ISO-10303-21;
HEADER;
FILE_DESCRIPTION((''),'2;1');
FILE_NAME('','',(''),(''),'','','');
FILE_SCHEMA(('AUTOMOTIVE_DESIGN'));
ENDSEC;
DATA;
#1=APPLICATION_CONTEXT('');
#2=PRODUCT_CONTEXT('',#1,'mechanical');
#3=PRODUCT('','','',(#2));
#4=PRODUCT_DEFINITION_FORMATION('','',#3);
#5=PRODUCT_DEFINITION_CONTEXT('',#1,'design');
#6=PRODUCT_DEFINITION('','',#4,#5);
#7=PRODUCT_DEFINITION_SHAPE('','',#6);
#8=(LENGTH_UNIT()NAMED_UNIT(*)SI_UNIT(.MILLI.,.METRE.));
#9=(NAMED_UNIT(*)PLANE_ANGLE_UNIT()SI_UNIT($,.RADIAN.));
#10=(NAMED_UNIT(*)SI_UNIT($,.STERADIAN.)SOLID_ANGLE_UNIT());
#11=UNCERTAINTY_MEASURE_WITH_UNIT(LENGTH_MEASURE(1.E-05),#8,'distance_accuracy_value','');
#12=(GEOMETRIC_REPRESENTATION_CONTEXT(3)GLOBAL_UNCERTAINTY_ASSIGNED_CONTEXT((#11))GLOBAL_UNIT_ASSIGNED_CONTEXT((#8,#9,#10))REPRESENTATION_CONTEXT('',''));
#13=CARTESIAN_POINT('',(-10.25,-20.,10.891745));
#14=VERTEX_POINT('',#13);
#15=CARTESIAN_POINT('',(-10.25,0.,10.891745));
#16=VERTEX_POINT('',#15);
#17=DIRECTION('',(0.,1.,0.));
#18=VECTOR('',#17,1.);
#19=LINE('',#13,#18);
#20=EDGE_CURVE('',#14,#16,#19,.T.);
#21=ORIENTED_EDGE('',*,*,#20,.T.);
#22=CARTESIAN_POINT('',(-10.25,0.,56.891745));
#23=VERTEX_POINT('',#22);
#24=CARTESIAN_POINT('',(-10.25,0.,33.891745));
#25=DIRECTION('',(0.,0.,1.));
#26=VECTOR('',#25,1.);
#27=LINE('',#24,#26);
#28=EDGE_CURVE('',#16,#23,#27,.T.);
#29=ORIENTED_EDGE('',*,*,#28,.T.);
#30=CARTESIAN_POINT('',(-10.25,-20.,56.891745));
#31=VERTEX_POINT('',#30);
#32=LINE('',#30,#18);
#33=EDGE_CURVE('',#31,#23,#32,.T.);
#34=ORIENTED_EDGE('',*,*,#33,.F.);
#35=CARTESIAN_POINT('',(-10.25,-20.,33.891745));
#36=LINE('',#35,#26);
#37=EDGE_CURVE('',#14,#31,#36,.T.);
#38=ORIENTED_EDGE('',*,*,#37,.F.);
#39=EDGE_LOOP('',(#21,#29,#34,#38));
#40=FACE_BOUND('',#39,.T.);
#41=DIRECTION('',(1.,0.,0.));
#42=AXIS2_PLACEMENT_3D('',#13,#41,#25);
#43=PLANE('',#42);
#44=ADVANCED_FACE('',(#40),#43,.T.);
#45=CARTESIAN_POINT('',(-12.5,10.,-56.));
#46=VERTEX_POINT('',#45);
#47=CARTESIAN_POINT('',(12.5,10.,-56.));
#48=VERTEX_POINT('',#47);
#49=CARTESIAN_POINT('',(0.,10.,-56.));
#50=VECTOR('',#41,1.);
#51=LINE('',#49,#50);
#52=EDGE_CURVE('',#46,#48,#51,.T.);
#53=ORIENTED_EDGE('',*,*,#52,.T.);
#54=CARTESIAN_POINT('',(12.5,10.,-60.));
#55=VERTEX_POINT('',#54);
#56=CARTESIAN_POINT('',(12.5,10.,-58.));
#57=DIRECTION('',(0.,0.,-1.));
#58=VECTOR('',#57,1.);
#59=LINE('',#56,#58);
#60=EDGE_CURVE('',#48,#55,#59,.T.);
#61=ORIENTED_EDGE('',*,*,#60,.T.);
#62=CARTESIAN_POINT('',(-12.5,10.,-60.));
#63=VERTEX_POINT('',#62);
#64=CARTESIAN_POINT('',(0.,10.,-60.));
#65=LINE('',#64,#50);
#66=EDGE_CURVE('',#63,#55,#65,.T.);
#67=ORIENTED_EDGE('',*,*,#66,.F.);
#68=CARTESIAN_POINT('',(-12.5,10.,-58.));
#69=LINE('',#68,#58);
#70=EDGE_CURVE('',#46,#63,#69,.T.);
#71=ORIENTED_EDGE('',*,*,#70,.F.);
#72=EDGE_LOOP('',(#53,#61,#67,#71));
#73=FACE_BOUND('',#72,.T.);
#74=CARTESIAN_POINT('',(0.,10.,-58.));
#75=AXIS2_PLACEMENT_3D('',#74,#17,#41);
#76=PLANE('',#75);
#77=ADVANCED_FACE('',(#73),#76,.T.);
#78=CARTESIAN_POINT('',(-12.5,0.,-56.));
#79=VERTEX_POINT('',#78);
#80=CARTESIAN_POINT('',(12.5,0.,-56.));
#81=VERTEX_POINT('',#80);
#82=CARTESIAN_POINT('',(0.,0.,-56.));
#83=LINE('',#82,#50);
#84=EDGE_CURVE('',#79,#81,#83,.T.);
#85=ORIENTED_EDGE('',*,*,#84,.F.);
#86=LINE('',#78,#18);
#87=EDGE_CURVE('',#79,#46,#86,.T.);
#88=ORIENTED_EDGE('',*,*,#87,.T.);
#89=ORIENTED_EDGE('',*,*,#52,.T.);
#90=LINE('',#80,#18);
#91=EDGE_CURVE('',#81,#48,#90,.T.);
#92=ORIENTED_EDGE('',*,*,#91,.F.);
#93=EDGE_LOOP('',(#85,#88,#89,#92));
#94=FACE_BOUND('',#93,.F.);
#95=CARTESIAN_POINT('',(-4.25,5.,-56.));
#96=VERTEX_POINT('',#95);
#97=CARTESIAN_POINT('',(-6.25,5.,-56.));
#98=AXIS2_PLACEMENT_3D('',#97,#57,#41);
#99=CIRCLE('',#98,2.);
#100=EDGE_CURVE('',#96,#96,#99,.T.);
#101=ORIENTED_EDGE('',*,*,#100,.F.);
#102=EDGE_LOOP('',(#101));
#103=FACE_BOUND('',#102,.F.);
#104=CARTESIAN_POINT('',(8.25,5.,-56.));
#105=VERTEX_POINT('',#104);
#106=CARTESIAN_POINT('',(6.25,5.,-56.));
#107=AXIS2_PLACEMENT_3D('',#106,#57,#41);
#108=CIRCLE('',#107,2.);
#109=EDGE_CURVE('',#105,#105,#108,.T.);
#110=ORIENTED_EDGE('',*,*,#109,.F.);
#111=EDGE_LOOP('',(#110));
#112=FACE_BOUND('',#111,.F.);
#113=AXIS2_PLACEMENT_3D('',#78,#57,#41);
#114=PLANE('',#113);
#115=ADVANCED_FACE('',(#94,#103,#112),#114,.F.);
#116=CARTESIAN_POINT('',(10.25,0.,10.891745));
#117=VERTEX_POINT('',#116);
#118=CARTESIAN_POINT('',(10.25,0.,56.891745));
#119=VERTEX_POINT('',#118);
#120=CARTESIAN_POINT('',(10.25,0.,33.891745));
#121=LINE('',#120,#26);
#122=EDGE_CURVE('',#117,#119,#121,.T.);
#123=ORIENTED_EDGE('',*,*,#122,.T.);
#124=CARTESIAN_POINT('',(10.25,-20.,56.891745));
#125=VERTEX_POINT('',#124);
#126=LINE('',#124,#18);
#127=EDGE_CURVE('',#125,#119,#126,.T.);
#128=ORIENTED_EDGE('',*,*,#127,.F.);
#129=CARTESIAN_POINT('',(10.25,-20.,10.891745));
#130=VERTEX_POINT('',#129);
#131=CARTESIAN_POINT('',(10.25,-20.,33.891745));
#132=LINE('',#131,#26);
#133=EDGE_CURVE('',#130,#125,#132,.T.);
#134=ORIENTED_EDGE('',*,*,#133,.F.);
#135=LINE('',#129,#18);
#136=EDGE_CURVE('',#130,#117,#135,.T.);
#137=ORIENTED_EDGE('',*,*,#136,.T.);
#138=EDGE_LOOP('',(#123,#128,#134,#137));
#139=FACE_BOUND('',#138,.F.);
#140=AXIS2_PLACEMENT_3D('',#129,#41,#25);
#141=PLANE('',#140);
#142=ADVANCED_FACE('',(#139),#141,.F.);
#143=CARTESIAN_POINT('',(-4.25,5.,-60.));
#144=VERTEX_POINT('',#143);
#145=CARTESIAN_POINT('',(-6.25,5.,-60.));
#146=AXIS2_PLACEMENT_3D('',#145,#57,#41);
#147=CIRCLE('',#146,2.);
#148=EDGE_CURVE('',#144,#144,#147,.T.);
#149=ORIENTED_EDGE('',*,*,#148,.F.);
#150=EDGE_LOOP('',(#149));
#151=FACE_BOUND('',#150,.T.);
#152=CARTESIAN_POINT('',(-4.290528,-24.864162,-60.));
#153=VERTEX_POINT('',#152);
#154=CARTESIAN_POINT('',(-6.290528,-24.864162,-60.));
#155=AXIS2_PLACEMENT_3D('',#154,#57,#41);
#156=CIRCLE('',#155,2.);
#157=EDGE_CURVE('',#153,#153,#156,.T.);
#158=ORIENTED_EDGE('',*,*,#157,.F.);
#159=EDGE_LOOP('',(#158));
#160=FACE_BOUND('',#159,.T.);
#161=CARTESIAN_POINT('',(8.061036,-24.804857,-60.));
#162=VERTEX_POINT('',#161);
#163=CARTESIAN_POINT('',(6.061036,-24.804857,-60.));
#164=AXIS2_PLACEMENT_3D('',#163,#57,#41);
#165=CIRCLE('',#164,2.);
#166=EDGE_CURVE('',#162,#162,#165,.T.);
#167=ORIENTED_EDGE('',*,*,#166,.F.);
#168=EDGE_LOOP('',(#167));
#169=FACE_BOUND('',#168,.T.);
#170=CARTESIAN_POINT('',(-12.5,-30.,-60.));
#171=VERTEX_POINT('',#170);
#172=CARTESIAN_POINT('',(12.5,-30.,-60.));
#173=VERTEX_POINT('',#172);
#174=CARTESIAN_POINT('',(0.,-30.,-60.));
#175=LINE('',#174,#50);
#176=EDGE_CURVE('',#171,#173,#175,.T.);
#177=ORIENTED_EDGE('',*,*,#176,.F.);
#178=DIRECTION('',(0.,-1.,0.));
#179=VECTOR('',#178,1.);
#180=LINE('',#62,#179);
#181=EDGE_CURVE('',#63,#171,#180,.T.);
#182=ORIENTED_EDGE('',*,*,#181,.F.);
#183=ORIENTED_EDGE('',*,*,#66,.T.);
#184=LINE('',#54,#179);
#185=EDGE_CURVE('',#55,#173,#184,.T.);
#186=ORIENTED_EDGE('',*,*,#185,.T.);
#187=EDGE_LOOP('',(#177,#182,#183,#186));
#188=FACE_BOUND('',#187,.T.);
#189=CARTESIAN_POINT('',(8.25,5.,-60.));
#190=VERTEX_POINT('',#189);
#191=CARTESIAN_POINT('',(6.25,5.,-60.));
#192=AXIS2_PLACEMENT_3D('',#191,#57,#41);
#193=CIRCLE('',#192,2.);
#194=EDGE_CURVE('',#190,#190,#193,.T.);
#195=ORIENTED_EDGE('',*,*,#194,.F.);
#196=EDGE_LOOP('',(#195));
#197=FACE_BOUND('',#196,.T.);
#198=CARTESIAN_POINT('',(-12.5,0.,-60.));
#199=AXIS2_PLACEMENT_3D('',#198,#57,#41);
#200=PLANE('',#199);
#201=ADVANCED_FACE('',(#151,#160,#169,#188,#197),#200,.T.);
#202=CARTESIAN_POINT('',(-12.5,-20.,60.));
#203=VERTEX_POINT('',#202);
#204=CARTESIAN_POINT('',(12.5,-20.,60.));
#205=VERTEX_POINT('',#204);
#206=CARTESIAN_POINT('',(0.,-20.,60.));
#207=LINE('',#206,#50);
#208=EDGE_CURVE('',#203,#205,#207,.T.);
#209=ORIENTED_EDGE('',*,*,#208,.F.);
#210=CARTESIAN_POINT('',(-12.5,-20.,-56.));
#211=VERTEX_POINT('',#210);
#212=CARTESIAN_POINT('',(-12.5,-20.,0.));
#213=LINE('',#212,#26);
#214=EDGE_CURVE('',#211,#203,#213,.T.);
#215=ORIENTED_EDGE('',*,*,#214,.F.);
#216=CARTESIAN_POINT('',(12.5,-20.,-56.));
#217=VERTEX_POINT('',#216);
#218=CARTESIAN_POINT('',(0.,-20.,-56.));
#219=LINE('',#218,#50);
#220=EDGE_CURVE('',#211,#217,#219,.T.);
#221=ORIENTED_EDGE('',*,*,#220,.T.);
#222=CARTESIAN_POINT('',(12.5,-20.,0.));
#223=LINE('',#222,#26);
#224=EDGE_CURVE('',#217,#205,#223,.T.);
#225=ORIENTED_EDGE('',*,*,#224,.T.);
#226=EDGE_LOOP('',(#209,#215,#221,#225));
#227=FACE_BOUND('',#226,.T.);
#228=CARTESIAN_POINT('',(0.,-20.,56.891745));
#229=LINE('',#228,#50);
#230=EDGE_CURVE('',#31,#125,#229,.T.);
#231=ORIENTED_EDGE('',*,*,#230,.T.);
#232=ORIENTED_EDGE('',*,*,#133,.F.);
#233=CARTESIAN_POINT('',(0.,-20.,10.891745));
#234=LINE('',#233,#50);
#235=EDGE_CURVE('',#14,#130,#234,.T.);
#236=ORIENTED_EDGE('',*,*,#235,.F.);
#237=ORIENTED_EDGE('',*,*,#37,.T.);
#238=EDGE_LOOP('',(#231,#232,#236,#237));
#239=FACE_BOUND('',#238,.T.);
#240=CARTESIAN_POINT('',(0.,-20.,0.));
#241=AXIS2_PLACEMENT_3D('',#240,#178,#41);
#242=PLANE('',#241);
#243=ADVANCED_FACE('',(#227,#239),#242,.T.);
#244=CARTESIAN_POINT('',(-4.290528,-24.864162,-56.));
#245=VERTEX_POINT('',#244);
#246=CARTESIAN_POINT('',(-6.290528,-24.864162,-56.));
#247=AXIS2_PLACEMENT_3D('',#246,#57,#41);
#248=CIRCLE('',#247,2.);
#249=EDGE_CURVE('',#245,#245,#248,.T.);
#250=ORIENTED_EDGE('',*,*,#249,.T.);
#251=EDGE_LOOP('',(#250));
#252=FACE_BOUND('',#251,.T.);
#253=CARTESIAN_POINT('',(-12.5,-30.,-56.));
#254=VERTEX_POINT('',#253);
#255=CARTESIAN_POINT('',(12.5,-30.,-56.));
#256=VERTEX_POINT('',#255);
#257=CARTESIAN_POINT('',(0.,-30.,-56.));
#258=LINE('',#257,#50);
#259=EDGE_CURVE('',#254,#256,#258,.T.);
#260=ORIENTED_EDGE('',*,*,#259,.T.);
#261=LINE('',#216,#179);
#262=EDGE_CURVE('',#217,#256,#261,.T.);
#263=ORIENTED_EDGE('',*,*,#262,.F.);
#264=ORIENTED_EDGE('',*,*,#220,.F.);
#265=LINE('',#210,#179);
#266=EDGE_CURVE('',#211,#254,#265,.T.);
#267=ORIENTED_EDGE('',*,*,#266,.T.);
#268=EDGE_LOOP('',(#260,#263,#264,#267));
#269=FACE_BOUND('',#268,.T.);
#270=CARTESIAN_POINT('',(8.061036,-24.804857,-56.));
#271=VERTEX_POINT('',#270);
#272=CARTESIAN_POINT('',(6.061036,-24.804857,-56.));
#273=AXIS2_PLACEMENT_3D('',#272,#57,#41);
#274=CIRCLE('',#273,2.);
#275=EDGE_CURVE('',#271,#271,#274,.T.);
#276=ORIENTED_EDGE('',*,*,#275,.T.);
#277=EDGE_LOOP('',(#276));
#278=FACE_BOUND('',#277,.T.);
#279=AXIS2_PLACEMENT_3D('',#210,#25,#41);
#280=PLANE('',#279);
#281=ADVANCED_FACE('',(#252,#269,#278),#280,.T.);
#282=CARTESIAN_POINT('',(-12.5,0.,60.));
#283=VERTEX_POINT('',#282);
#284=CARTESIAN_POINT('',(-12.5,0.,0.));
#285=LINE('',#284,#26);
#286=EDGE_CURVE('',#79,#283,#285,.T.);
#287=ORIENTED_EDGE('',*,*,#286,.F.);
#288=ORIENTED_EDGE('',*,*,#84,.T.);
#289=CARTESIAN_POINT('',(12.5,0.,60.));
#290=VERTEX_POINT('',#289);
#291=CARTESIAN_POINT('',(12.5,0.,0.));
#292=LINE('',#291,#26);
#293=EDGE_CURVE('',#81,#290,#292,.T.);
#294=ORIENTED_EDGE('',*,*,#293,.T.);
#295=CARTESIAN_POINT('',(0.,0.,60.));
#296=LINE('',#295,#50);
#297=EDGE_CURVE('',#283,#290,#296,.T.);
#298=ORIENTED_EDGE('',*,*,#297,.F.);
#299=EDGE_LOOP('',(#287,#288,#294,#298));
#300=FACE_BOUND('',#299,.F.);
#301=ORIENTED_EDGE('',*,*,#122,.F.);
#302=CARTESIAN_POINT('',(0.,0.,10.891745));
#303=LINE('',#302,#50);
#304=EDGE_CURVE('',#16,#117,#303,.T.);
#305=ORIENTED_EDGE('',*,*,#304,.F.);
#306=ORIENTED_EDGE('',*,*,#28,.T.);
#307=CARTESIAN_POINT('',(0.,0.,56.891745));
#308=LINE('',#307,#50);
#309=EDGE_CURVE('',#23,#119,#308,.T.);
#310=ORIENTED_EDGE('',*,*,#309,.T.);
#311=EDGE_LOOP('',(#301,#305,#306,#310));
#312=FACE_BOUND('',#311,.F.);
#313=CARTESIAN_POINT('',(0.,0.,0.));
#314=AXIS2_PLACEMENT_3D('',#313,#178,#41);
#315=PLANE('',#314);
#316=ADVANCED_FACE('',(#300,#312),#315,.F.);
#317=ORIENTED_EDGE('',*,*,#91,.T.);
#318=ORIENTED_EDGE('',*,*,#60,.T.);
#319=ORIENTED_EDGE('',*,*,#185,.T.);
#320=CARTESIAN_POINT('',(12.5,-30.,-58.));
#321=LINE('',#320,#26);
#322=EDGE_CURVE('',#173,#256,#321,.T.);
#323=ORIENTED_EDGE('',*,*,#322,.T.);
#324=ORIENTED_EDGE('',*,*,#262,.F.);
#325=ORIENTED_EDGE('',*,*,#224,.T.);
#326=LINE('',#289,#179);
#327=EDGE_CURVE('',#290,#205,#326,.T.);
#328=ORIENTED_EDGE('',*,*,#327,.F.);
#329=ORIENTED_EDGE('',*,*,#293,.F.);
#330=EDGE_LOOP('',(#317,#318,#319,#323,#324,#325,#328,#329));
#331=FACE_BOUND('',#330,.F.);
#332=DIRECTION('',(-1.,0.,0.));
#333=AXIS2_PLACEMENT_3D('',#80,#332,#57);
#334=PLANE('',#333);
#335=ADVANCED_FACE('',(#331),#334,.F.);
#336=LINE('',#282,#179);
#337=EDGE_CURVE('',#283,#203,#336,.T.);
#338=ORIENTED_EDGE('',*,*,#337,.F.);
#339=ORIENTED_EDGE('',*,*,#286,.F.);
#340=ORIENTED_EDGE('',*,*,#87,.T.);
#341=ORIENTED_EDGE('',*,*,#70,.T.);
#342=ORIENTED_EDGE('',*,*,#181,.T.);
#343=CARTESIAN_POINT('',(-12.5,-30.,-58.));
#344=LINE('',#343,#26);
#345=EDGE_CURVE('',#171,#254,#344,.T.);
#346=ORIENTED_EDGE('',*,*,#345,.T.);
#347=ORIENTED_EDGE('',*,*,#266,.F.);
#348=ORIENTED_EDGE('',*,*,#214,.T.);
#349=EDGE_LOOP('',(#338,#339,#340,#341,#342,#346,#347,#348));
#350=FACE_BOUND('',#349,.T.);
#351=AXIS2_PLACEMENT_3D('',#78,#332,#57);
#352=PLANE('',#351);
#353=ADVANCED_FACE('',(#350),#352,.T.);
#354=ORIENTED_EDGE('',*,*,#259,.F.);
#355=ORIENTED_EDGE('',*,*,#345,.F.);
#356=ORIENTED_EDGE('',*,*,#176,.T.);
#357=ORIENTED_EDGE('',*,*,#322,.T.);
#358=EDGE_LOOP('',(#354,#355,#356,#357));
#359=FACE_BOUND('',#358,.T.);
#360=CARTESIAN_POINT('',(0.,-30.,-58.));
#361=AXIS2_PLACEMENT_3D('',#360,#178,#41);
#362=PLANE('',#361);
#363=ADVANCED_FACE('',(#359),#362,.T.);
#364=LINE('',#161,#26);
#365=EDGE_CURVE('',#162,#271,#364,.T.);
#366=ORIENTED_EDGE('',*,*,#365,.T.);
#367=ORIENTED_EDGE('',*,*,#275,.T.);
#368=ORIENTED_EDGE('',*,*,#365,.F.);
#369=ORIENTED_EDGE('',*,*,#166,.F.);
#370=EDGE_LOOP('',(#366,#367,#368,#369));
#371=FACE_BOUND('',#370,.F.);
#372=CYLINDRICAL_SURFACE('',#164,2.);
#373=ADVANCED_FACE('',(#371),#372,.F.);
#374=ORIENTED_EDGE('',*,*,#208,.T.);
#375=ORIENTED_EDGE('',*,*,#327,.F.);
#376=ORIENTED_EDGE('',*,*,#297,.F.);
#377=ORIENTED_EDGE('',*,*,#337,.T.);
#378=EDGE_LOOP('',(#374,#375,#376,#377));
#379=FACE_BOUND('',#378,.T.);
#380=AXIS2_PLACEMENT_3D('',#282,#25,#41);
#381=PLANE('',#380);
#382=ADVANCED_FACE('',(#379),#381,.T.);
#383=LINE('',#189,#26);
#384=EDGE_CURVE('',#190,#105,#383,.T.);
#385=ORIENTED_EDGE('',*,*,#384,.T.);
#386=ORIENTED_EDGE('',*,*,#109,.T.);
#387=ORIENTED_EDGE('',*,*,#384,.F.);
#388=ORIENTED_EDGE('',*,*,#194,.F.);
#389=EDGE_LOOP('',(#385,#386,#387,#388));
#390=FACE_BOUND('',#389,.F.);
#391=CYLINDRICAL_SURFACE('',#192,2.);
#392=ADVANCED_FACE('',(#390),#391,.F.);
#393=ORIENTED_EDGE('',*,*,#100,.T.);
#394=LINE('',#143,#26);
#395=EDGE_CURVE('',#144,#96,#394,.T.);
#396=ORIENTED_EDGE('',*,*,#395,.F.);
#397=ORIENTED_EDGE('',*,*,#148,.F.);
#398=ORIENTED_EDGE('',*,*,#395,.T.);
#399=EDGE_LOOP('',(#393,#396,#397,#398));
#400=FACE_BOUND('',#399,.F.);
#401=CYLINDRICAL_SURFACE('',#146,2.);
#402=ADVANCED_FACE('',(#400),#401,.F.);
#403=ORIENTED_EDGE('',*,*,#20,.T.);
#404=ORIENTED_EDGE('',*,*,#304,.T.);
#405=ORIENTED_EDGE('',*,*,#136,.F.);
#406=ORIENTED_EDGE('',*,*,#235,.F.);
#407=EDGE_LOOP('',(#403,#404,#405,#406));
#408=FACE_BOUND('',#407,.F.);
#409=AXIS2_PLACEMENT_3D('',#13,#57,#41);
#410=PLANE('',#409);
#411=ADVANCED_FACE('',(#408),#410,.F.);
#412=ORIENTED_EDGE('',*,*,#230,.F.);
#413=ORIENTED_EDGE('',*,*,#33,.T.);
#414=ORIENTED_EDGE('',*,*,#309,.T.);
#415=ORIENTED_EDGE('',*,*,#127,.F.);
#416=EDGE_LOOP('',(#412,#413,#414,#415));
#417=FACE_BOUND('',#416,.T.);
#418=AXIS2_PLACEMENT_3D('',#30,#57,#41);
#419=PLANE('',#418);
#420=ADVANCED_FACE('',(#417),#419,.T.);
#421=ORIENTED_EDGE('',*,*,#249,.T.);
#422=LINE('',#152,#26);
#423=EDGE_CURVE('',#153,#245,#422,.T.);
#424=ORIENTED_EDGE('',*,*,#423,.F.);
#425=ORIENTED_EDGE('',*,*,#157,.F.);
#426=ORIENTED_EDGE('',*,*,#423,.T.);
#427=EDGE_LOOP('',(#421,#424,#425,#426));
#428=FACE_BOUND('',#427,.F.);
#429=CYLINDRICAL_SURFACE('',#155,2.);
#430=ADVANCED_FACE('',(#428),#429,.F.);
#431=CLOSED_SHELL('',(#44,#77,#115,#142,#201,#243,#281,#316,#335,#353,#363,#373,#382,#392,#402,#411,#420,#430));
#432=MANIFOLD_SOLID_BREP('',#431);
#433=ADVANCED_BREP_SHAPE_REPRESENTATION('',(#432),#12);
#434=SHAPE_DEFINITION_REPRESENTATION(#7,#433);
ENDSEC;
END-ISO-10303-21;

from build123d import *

# Parameters (mm, degrees)
SKETCH_W        = 25
SKETCH_H        = 120
PAD_DEPTH       = 20
SKETCH001_W     = 25
SKETCH001_H     = 4
PAD001_DEPTH    = 10
SKETCH002_R     = 2
POCKET_DEPTH    = 4
SKETCH003_W     = 25
SKETCH003_H     = 4
PAD002_DEPTH    = 10
SKETCH004_R     = 2
POCKET001_DEPTH = 4
SKETCH005_W     = 20.5
SKETCH005_H     = 46
POCKET002_DEPTH = 20


with BuildPart() as part:
    # Sketch → Pad (new body)
    with BuildSketch(Plane.XZ):
        Rectangle(SKETCH_W, SKETCH_H)
    extrude(amount=PAD_DEPTH)

    # Sketch001 → Pad001 (new body)
    with BuildSketch(Plane.XZ.offset(20)):
        with Locations((0, -58)):
            Rectangle(SKETCH001_W, SKETCH001_H)
    extrude(amount=PAD001_DEPTH)

    # Sketch002 → Pocket (cut)
    with BuildSketch(Plane(origin=(0, 0, -60), x_dir=(1, 0, 0), z_dir=(0, 0, -1))):
        with Locations((-6.290528, 24.864162)):
            Circle(SKETCH002_R)
        with Locations((6.061036, 24.804857)):
            Circle(SKETCH002_R)
    extrude(amount=-POCKET_DEPTH, mode=Mode.SUBTRACT)

    # Sketch003 → Pad002 (new body)
    with BuildSketch(Plane(origin=(0, 0, 0), x_dir=(1, 0, 0), z_dir=(0, 1, 0))):
        with Locations((0, 58)):
            Rectangle(SKETCH003_W, SKETCH003_H)
    extrude(amount=PAD002_DEPTH)

    # Sketch004 → Pocket001 (cut)
    with BuildSketch(Plane(origin=(0, 0, -60), x_dir=(1, 0, 0), z_dir=(0, 0, -1))):
        with Locations((-6.25, -5)):
            Circle(SKETCH004_R)
        with Locations((6.25, -5)):
            Circle(SKETCH004_R)
    extrude(amount=-POCKET001_DEPTH, mode=Mode.SUBTRACT)

    # Sketch005 → Pocket002 (cut)
    with BuildSketch(Plane.XZ.offset(20)):
        with Locations((0, 33.891745)):
            Rectangle(SKETCH005_W, SKETCH005_H)
    extrude(amount=-POCKET002_DEPTH, mode=Mode.SUBTRACT)


solid = part.part
